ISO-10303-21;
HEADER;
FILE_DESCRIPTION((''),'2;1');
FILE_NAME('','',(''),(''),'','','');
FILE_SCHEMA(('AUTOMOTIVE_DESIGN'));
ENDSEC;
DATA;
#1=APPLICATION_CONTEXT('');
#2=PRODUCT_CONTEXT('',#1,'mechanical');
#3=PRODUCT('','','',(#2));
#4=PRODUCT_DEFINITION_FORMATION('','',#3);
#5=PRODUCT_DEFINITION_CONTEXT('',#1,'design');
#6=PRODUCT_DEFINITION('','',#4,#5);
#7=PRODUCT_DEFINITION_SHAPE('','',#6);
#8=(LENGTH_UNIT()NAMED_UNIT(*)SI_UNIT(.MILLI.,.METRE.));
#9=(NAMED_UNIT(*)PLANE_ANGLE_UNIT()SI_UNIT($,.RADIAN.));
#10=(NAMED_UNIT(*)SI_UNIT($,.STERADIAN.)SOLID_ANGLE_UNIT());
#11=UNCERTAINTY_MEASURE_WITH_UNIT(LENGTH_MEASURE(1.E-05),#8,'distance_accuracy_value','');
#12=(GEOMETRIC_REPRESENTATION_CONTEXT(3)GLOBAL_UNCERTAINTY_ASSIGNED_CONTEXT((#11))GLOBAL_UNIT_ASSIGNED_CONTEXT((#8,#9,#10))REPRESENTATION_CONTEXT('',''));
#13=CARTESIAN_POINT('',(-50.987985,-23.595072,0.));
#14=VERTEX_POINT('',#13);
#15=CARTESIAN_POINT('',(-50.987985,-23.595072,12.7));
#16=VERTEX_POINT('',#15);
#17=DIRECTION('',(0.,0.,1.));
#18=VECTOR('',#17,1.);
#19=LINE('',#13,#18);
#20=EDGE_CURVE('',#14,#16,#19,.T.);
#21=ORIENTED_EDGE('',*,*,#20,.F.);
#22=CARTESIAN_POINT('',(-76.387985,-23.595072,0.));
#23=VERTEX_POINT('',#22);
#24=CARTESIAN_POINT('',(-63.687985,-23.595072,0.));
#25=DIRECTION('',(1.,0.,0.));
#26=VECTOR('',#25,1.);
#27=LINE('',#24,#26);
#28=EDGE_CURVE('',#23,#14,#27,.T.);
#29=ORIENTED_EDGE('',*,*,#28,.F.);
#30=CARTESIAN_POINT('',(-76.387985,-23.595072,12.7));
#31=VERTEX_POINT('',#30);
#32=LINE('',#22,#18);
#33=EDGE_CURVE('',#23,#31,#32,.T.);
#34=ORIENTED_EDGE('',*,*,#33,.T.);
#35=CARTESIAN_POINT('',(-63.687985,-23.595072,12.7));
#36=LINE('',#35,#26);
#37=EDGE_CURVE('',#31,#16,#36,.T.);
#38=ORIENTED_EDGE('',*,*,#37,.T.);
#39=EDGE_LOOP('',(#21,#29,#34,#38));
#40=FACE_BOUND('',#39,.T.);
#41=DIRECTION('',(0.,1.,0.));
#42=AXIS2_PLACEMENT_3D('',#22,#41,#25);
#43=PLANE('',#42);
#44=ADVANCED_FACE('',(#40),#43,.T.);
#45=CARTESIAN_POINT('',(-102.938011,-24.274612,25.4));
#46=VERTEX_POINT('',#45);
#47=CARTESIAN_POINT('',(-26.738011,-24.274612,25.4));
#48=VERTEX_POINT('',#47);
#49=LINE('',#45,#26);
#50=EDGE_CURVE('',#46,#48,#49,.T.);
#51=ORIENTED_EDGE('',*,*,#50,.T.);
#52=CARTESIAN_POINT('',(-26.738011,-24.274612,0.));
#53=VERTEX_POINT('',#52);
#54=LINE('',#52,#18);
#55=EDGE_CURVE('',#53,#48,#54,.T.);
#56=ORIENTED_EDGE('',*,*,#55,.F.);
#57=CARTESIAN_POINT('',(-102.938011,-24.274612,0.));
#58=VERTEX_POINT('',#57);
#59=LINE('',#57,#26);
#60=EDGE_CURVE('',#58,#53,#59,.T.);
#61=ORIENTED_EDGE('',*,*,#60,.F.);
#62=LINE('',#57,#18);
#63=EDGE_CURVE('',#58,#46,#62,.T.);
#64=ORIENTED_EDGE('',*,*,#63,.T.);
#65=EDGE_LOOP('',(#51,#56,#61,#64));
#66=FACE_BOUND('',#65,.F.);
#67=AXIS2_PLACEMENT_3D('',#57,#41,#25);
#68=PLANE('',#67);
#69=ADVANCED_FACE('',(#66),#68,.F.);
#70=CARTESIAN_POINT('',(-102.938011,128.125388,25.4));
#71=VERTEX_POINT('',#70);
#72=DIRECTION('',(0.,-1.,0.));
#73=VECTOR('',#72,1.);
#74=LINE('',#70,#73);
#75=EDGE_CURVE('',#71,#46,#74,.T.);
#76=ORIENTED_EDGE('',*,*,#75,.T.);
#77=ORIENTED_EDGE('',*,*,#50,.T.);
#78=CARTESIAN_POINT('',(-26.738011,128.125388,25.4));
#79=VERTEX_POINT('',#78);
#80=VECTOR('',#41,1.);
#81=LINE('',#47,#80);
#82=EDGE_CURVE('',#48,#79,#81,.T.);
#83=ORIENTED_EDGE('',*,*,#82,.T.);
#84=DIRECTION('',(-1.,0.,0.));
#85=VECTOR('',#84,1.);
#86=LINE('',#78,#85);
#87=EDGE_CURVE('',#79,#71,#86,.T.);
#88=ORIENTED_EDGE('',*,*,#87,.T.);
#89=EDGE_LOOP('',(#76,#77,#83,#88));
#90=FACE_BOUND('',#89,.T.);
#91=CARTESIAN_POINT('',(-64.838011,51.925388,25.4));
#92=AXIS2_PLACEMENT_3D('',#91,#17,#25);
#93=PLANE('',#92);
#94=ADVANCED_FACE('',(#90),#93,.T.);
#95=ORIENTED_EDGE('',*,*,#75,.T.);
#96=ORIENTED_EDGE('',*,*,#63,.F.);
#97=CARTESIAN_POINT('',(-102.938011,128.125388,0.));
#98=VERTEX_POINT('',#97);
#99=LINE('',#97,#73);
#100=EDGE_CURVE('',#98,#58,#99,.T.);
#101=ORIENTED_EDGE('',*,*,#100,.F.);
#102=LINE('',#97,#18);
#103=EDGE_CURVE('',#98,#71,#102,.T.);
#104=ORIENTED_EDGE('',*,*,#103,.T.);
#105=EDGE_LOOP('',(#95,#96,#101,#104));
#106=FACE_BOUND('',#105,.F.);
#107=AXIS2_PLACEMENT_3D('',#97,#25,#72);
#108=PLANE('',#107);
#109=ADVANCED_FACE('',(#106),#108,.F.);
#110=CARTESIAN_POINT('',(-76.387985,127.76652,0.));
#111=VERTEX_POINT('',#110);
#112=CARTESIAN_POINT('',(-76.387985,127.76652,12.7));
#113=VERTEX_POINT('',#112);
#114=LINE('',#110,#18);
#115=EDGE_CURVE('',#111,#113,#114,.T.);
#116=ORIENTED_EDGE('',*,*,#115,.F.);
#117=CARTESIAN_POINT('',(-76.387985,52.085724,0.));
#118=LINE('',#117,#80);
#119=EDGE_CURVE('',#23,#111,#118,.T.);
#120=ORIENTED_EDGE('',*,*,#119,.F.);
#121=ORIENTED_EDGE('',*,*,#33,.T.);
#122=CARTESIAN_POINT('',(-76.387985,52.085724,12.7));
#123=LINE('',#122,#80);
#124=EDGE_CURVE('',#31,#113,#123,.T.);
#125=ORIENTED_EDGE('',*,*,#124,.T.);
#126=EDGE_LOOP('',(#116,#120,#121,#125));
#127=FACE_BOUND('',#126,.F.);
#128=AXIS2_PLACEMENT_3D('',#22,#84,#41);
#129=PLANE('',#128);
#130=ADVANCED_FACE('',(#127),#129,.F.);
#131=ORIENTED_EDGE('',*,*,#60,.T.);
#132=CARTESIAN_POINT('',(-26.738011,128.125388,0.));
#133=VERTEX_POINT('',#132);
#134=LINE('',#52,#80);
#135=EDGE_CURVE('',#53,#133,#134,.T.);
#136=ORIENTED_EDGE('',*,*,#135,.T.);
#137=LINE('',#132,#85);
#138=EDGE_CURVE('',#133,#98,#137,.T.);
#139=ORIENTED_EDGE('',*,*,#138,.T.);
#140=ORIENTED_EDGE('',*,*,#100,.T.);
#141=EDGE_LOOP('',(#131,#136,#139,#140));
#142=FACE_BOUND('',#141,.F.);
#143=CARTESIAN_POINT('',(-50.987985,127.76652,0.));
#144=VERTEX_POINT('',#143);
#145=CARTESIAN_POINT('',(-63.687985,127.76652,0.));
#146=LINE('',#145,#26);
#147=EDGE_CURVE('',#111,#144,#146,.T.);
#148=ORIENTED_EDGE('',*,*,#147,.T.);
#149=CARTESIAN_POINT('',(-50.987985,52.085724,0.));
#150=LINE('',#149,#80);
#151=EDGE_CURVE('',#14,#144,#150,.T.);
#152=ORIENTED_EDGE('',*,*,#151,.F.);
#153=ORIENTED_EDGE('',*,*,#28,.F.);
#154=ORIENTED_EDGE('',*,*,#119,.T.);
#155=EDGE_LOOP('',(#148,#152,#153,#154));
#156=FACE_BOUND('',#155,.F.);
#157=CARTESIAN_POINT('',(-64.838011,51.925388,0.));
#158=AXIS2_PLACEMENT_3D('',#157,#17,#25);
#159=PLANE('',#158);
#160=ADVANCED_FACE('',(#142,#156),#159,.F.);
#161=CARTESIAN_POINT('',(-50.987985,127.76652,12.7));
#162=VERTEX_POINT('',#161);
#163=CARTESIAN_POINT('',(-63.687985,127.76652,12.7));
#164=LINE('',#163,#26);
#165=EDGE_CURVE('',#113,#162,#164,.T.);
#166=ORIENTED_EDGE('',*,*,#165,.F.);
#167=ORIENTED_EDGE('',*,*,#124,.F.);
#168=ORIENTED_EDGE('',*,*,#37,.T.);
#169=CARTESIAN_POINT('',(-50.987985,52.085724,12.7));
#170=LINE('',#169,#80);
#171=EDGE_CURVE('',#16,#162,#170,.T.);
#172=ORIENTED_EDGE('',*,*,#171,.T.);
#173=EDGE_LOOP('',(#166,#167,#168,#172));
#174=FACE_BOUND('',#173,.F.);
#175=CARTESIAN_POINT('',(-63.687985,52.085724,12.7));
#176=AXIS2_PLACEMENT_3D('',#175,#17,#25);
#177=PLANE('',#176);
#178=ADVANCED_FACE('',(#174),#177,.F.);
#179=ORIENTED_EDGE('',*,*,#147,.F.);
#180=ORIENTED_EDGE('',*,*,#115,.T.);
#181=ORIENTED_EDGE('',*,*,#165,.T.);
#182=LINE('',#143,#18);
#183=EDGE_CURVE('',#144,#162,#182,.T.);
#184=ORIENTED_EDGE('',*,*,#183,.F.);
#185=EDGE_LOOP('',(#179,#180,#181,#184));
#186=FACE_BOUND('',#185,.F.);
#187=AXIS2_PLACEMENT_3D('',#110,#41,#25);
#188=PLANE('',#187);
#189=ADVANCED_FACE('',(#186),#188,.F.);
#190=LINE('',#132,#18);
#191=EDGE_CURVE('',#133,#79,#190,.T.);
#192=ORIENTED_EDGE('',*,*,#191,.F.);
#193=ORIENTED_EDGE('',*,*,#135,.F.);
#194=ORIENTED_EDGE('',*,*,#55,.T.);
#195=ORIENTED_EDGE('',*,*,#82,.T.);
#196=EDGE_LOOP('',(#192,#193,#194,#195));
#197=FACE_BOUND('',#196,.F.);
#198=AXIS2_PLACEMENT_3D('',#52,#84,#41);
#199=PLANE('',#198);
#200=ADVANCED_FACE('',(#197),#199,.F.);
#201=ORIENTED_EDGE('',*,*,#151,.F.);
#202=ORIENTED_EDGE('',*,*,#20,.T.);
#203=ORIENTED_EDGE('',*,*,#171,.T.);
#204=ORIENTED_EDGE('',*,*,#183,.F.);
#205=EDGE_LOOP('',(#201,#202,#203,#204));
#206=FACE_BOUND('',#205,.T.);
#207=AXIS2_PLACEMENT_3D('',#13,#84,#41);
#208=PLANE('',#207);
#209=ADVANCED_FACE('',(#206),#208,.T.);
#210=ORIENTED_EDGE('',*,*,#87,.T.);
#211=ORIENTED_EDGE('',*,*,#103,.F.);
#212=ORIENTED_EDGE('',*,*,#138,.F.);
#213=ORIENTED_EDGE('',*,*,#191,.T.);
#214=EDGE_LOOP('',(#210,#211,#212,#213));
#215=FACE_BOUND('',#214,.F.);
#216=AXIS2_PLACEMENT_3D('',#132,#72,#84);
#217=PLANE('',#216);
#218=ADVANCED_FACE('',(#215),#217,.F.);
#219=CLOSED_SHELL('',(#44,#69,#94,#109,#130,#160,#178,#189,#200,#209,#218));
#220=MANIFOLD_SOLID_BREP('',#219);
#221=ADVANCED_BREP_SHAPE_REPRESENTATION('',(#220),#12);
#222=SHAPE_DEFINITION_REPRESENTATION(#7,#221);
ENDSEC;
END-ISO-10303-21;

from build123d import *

# Parameters (mm, degrees)
F1_DEPTH      = 25.4
F2_W          = 25.4
F2_H          = 151.361592114
F3_DEPTH      = 25.4
F3_DEPTH_BACK = 12.7


with BuildPart() as f1:
    # F0 (on Top) → F1 (new body)
    with BuildSketch(Plane.XY):
        Polygon((-78.5694792867, 128.1253882145), (-102.9380111005, 128.1253882145), (-102.9380111005, -24.2746117855), (-78.5694792867, -24.2746117855), (-53.1694792867, -24.2746117855), (-26.7380111005, -24.2746117855), (-26.7380111005, 128.1253882145), (-53.1694792867, 128.1253882145), align=None)
    extrude(amount=F1_DEPTH)

    # F2 (on Top) → F3 (cut, two sides)
    with BuildSketch(Plane.XY) as f3_sk:
        with Locations((-63.6879849851, 52.0857237279)):
            Rectangle(F2_W, F2_H)
    extrude(amount=-F3_DEPTH, mode=Mode.SUBTRACT)
    extrude(f3_sk.sketch, amount=F3_DEPTH_BACK, mode=Mode.SUBTRACT)


solid = f1.part
